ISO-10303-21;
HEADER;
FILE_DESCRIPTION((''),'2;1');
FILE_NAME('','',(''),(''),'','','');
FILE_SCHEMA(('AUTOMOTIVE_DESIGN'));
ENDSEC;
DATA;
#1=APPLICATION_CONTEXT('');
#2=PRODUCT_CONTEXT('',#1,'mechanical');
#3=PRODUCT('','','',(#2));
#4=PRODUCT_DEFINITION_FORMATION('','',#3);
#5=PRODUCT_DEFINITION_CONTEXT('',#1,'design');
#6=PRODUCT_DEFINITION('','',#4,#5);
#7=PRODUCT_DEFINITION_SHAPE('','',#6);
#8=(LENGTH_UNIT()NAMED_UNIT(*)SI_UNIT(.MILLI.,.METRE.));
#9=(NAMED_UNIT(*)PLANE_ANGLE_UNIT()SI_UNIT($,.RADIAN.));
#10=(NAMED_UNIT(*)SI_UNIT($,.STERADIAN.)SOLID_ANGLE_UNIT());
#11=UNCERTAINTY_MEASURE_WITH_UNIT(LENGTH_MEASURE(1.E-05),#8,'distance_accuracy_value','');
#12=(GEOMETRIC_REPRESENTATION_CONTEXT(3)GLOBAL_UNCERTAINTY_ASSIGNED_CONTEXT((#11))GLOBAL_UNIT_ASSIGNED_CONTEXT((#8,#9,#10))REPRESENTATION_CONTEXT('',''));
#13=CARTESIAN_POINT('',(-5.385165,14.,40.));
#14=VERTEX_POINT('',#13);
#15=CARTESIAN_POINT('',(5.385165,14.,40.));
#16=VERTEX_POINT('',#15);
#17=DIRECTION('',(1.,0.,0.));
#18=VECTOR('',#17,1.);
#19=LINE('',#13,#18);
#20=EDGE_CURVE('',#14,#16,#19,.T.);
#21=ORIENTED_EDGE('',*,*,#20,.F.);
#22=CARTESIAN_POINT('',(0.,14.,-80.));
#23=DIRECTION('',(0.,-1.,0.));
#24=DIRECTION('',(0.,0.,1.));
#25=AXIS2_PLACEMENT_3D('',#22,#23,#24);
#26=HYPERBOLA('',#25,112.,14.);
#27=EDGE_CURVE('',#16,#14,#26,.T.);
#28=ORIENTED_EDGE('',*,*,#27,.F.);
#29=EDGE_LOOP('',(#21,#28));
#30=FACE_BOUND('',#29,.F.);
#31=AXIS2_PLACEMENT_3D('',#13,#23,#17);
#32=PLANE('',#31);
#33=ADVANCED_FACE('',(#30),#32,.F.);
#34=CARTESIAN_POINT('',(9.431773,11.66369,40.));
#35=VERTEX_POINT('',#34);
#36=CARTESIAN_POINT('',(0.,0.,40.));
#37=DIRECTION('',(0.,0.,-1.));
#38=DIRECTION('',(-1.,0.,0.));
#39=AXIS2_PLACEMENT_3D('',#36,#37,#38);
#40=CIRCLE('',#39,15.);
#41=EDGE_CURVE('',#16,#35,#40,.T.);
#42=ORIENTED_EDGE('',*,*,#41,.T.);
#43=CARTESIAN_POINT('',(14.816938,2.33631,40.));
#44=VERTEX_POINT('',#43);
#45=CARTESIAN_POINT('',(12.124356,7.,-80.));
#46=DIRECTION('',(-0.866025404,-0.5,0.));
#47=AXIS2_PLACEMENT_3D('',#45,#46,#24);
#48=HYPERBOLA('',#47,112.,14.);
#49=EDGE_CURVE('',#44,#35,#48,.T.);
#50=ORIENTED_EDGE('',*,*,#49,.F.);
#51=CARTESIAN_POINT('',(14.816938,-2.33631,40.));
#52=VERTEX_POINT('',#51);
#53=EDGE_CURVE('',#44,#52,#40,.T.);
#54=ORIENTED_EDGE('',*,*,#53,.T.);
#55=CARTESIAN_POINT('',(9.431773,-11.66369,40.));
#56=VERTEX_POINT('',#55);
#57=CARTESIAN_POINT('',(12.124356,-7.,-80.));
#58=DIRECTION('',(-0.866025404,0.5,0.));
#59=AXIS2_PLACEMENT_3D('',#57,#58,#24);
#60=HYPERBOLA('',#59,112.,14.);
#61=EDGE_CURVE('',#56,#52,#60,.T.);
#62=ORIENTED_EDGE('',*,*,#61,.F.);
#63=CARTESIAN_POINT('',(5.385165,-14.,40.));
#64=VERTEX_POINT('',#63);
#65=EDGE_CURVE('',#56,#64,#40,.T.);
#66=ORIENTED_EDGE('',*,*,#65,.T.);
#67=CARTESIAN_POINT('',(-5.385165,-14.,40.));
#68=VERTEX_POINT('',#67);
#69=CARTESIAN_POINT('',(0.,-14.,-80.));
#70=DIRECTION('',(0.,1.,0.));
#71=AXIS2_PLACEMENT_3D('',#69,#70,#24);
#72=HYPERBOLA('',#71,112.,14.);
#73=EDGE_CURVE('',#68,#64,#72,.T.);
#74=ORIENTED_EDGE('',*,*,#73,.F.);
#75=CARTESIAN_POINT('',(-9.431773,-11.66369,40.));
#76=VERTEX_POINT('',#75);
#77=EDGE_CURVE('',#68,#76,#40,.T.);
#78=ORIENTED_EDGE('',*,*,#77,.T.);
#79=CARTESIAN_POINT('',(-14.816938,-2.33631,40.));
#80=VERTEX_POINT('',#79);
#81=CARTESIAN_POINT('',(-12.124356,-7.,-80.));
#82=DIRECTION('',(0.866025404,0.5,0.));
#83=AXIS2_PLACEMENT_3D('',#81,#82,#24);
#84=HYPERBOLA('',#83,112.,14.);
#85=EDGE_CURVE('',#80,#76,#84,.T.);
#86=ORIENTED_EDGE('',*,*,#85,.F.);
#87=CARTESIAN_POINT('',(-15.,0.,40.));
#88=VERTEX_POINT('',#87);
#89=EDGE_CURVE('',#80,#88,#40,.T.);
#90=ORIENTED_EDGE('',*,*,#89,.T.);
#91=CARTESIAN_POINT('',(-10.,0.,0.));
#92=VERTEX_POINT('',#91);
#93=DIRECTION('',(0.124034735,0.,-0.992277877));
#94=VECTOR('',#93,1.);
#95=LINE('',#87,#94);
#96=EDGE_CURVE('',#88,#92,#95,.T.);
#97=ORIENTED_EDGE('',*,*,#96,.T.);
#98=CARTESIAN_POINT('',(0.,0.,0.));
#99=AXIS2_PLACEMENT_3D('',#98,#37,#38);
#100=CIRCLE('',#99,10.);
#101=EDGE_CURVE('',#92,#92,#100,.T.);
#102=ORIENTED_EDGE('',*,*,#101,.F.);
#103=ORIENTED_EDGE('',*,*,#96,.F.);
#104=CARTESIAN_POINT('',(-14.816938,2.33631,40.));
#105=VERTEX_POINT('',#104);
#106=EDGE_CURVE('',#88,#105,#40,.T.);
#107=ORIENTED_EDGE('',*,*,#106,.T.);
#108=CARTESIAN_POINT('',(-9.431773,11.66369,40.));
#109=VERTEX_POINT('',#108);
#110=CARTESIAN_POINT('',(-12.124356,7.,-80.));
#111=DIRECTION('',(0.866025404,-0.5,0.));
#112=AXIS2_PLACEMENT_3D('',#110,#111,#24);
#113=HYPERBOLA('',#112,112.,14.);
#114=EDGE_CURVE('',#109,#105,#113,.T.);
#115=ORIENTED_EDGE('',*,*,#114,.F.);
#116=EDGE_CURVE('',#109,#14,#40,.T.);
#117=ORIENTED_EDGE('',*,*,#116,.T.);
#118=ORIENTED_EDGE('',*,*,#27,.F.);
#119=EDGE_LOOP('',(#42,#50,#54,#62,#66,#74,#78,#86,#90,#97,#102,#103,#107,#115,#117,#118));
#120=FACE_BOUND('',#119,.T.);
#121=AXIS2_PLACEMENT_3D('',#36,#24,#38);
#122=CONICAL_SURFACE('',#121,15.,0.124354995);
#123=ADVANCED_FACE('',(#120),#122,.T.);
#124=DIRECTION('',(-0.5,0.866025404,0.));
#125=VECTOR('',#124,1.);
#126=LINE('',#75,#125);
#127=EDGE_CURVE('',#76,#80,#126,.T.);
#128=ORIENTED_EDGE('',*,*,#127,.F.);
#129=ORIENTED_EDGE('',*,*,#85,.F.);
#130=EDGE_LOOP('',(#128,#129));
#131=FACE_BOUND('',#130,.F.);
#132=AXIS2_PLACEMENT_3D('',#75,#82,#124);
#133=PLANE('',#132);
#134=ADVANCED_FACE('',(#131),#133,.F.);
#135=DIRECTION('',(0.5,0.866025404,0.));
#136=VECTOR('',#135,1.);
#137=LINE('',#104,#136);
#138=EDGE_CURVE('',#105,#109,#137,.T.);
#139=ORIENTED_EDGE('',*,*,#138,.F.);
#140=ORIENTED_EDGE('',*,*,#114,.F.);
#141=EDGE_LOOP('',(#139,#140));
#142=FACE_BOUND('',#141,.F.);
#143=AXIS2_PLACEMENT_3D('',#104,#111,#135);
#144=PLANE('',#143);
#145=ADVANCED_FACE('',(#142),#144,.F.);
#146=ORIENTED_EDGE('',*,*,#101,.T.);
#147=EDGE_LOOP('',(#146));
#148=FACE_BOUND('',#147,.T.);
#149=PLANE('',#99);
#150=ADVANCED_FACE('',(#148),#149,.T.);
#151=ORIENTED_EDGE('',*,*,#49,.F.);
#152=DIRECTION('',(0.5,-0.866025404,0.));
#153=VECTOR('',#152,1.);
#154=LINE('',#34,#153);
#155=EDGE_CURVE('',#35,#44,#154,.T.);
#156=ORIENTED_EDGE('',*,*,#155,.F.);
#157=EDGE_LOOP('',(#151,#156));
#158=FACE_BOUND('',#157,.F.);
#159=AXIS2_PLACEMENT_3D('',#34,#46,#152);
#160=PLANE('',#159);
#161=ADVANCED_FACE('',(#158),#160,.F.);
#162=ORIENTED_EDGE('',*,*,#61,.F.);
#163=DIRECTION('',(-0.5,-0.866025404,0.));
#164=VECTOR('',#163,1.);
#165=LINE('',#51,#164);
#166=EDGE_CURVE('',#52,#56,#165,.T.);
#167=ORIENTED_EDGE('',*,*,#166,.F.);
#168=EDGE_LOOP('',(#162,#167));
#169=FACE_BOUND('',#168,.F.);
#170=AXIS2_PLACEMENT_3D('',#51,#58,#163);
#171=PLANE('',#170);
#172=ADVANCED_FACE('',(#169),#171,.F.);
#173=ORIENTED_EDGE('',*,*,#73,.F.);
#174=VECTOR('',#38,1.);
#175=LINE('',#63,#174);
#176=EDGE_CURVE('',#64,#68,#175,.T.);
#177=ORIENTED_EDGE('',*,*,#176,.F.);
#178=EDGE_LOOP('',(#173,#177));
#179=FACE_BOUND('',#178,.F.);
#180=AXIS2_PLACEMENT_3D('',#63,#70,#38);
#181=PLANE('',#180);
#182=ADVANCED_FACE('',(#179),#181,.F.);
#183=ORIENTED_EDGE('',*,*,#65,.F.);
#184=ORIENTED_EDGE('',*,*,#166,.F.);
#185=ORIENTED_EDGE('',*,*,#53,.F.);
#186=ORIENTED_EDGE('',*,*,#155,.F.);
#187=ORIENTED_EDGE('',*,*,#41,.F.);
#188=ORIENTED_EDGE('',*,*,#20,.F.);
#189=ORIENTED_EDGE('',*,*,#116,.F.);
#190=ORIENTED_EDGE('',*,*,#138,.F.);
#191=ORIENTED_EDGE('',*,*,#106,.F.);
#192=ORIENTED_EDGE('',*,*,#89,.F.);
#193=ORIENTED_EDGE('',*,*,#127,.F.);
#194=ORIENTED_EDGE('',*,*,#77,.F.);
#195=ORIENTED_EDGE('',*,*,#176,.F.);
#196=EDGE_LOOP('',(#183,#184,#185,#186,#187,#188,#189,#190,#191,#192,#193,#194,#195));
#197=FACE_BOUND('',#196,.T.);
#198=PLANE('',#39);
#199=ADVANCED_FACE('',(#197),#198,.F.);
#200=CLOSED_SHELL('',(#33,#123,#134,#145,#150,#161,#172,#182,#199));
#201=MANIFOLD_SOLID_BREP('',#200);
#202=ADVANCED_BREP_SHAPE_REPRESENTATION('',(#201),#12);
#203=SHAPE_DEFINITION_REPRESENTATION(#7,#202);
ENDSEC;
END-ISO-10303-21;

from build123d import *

# Parameters (mm, degrees)
F3_DEPTH = 10


with BuildPart() as f1:
    # F0 (on Front) → F1 (revolve)
    with BuildSketch(Plane.XZ):
        Polygon((-10, 0), (0, 0), (0, 40), (-15, 40), align=None)
    revolve(axis=Axis((0, 0, 20), (0, 0, -1)))

    # F2 (on face) → F3 (cut)
    with BuildSketch(Plane.XY.offset(40)):
        with BuildLine():
            Line((-9.4317732494, -11.6636895265), (-14.8169380565, -2.3363104735))
            ThreePointArc((-14.8169380565, -2.3363104735), (-12.9903810568, -7.5), (-9.4317732494, -11.6636895265))
        make_face()
        with BuildLine():
            Line((-14.8169380565, 2.3363104735), (-9.4317732494, 11.6636895265))
            ThreePointArc((-9.4317732494, 11.6636895265), (-12.9903810568, 7.5), (-14.8169380565, 2.3363104735))
        make_face()
        with BuildLine():
            Line((-5.3851648071, 14), (5.3851648071, 14))
            ThreePointArc((5.3851648071, 14), (0, 15), (-5.3851648071, 14))
        make_face()
        with BuildLine():
            ThreePointArc((14.8169380565, 2.3363104735), (12.9903810568, 7.5), (9.4317732494, 11.6636895265))
            Line((9.4317732494, 11.6636895265), (14.8169380565, 2.3363104735))
        make_face()
        with BuildLine():
            ThreePointArc((9.4317732494, -11.6636895265), (12.9903810568, -7.5), (14.8169380565, -2.3363104735))
            Line((14.8169380565, -2.3363104735), (9.4317732494, -11.6636895265))
        make_face()
        with BuildLine():
            Line((5.3851648071, -14), (-5.3851648071, -14))
            ThreePointArc((-5.3851648071, -14), (0, -15), (5.3851648071, -14))
        make_face()
    extrude(amount=-F3_DEPTH, mode=Mode.SUBTRACT)


solid = f1.part
